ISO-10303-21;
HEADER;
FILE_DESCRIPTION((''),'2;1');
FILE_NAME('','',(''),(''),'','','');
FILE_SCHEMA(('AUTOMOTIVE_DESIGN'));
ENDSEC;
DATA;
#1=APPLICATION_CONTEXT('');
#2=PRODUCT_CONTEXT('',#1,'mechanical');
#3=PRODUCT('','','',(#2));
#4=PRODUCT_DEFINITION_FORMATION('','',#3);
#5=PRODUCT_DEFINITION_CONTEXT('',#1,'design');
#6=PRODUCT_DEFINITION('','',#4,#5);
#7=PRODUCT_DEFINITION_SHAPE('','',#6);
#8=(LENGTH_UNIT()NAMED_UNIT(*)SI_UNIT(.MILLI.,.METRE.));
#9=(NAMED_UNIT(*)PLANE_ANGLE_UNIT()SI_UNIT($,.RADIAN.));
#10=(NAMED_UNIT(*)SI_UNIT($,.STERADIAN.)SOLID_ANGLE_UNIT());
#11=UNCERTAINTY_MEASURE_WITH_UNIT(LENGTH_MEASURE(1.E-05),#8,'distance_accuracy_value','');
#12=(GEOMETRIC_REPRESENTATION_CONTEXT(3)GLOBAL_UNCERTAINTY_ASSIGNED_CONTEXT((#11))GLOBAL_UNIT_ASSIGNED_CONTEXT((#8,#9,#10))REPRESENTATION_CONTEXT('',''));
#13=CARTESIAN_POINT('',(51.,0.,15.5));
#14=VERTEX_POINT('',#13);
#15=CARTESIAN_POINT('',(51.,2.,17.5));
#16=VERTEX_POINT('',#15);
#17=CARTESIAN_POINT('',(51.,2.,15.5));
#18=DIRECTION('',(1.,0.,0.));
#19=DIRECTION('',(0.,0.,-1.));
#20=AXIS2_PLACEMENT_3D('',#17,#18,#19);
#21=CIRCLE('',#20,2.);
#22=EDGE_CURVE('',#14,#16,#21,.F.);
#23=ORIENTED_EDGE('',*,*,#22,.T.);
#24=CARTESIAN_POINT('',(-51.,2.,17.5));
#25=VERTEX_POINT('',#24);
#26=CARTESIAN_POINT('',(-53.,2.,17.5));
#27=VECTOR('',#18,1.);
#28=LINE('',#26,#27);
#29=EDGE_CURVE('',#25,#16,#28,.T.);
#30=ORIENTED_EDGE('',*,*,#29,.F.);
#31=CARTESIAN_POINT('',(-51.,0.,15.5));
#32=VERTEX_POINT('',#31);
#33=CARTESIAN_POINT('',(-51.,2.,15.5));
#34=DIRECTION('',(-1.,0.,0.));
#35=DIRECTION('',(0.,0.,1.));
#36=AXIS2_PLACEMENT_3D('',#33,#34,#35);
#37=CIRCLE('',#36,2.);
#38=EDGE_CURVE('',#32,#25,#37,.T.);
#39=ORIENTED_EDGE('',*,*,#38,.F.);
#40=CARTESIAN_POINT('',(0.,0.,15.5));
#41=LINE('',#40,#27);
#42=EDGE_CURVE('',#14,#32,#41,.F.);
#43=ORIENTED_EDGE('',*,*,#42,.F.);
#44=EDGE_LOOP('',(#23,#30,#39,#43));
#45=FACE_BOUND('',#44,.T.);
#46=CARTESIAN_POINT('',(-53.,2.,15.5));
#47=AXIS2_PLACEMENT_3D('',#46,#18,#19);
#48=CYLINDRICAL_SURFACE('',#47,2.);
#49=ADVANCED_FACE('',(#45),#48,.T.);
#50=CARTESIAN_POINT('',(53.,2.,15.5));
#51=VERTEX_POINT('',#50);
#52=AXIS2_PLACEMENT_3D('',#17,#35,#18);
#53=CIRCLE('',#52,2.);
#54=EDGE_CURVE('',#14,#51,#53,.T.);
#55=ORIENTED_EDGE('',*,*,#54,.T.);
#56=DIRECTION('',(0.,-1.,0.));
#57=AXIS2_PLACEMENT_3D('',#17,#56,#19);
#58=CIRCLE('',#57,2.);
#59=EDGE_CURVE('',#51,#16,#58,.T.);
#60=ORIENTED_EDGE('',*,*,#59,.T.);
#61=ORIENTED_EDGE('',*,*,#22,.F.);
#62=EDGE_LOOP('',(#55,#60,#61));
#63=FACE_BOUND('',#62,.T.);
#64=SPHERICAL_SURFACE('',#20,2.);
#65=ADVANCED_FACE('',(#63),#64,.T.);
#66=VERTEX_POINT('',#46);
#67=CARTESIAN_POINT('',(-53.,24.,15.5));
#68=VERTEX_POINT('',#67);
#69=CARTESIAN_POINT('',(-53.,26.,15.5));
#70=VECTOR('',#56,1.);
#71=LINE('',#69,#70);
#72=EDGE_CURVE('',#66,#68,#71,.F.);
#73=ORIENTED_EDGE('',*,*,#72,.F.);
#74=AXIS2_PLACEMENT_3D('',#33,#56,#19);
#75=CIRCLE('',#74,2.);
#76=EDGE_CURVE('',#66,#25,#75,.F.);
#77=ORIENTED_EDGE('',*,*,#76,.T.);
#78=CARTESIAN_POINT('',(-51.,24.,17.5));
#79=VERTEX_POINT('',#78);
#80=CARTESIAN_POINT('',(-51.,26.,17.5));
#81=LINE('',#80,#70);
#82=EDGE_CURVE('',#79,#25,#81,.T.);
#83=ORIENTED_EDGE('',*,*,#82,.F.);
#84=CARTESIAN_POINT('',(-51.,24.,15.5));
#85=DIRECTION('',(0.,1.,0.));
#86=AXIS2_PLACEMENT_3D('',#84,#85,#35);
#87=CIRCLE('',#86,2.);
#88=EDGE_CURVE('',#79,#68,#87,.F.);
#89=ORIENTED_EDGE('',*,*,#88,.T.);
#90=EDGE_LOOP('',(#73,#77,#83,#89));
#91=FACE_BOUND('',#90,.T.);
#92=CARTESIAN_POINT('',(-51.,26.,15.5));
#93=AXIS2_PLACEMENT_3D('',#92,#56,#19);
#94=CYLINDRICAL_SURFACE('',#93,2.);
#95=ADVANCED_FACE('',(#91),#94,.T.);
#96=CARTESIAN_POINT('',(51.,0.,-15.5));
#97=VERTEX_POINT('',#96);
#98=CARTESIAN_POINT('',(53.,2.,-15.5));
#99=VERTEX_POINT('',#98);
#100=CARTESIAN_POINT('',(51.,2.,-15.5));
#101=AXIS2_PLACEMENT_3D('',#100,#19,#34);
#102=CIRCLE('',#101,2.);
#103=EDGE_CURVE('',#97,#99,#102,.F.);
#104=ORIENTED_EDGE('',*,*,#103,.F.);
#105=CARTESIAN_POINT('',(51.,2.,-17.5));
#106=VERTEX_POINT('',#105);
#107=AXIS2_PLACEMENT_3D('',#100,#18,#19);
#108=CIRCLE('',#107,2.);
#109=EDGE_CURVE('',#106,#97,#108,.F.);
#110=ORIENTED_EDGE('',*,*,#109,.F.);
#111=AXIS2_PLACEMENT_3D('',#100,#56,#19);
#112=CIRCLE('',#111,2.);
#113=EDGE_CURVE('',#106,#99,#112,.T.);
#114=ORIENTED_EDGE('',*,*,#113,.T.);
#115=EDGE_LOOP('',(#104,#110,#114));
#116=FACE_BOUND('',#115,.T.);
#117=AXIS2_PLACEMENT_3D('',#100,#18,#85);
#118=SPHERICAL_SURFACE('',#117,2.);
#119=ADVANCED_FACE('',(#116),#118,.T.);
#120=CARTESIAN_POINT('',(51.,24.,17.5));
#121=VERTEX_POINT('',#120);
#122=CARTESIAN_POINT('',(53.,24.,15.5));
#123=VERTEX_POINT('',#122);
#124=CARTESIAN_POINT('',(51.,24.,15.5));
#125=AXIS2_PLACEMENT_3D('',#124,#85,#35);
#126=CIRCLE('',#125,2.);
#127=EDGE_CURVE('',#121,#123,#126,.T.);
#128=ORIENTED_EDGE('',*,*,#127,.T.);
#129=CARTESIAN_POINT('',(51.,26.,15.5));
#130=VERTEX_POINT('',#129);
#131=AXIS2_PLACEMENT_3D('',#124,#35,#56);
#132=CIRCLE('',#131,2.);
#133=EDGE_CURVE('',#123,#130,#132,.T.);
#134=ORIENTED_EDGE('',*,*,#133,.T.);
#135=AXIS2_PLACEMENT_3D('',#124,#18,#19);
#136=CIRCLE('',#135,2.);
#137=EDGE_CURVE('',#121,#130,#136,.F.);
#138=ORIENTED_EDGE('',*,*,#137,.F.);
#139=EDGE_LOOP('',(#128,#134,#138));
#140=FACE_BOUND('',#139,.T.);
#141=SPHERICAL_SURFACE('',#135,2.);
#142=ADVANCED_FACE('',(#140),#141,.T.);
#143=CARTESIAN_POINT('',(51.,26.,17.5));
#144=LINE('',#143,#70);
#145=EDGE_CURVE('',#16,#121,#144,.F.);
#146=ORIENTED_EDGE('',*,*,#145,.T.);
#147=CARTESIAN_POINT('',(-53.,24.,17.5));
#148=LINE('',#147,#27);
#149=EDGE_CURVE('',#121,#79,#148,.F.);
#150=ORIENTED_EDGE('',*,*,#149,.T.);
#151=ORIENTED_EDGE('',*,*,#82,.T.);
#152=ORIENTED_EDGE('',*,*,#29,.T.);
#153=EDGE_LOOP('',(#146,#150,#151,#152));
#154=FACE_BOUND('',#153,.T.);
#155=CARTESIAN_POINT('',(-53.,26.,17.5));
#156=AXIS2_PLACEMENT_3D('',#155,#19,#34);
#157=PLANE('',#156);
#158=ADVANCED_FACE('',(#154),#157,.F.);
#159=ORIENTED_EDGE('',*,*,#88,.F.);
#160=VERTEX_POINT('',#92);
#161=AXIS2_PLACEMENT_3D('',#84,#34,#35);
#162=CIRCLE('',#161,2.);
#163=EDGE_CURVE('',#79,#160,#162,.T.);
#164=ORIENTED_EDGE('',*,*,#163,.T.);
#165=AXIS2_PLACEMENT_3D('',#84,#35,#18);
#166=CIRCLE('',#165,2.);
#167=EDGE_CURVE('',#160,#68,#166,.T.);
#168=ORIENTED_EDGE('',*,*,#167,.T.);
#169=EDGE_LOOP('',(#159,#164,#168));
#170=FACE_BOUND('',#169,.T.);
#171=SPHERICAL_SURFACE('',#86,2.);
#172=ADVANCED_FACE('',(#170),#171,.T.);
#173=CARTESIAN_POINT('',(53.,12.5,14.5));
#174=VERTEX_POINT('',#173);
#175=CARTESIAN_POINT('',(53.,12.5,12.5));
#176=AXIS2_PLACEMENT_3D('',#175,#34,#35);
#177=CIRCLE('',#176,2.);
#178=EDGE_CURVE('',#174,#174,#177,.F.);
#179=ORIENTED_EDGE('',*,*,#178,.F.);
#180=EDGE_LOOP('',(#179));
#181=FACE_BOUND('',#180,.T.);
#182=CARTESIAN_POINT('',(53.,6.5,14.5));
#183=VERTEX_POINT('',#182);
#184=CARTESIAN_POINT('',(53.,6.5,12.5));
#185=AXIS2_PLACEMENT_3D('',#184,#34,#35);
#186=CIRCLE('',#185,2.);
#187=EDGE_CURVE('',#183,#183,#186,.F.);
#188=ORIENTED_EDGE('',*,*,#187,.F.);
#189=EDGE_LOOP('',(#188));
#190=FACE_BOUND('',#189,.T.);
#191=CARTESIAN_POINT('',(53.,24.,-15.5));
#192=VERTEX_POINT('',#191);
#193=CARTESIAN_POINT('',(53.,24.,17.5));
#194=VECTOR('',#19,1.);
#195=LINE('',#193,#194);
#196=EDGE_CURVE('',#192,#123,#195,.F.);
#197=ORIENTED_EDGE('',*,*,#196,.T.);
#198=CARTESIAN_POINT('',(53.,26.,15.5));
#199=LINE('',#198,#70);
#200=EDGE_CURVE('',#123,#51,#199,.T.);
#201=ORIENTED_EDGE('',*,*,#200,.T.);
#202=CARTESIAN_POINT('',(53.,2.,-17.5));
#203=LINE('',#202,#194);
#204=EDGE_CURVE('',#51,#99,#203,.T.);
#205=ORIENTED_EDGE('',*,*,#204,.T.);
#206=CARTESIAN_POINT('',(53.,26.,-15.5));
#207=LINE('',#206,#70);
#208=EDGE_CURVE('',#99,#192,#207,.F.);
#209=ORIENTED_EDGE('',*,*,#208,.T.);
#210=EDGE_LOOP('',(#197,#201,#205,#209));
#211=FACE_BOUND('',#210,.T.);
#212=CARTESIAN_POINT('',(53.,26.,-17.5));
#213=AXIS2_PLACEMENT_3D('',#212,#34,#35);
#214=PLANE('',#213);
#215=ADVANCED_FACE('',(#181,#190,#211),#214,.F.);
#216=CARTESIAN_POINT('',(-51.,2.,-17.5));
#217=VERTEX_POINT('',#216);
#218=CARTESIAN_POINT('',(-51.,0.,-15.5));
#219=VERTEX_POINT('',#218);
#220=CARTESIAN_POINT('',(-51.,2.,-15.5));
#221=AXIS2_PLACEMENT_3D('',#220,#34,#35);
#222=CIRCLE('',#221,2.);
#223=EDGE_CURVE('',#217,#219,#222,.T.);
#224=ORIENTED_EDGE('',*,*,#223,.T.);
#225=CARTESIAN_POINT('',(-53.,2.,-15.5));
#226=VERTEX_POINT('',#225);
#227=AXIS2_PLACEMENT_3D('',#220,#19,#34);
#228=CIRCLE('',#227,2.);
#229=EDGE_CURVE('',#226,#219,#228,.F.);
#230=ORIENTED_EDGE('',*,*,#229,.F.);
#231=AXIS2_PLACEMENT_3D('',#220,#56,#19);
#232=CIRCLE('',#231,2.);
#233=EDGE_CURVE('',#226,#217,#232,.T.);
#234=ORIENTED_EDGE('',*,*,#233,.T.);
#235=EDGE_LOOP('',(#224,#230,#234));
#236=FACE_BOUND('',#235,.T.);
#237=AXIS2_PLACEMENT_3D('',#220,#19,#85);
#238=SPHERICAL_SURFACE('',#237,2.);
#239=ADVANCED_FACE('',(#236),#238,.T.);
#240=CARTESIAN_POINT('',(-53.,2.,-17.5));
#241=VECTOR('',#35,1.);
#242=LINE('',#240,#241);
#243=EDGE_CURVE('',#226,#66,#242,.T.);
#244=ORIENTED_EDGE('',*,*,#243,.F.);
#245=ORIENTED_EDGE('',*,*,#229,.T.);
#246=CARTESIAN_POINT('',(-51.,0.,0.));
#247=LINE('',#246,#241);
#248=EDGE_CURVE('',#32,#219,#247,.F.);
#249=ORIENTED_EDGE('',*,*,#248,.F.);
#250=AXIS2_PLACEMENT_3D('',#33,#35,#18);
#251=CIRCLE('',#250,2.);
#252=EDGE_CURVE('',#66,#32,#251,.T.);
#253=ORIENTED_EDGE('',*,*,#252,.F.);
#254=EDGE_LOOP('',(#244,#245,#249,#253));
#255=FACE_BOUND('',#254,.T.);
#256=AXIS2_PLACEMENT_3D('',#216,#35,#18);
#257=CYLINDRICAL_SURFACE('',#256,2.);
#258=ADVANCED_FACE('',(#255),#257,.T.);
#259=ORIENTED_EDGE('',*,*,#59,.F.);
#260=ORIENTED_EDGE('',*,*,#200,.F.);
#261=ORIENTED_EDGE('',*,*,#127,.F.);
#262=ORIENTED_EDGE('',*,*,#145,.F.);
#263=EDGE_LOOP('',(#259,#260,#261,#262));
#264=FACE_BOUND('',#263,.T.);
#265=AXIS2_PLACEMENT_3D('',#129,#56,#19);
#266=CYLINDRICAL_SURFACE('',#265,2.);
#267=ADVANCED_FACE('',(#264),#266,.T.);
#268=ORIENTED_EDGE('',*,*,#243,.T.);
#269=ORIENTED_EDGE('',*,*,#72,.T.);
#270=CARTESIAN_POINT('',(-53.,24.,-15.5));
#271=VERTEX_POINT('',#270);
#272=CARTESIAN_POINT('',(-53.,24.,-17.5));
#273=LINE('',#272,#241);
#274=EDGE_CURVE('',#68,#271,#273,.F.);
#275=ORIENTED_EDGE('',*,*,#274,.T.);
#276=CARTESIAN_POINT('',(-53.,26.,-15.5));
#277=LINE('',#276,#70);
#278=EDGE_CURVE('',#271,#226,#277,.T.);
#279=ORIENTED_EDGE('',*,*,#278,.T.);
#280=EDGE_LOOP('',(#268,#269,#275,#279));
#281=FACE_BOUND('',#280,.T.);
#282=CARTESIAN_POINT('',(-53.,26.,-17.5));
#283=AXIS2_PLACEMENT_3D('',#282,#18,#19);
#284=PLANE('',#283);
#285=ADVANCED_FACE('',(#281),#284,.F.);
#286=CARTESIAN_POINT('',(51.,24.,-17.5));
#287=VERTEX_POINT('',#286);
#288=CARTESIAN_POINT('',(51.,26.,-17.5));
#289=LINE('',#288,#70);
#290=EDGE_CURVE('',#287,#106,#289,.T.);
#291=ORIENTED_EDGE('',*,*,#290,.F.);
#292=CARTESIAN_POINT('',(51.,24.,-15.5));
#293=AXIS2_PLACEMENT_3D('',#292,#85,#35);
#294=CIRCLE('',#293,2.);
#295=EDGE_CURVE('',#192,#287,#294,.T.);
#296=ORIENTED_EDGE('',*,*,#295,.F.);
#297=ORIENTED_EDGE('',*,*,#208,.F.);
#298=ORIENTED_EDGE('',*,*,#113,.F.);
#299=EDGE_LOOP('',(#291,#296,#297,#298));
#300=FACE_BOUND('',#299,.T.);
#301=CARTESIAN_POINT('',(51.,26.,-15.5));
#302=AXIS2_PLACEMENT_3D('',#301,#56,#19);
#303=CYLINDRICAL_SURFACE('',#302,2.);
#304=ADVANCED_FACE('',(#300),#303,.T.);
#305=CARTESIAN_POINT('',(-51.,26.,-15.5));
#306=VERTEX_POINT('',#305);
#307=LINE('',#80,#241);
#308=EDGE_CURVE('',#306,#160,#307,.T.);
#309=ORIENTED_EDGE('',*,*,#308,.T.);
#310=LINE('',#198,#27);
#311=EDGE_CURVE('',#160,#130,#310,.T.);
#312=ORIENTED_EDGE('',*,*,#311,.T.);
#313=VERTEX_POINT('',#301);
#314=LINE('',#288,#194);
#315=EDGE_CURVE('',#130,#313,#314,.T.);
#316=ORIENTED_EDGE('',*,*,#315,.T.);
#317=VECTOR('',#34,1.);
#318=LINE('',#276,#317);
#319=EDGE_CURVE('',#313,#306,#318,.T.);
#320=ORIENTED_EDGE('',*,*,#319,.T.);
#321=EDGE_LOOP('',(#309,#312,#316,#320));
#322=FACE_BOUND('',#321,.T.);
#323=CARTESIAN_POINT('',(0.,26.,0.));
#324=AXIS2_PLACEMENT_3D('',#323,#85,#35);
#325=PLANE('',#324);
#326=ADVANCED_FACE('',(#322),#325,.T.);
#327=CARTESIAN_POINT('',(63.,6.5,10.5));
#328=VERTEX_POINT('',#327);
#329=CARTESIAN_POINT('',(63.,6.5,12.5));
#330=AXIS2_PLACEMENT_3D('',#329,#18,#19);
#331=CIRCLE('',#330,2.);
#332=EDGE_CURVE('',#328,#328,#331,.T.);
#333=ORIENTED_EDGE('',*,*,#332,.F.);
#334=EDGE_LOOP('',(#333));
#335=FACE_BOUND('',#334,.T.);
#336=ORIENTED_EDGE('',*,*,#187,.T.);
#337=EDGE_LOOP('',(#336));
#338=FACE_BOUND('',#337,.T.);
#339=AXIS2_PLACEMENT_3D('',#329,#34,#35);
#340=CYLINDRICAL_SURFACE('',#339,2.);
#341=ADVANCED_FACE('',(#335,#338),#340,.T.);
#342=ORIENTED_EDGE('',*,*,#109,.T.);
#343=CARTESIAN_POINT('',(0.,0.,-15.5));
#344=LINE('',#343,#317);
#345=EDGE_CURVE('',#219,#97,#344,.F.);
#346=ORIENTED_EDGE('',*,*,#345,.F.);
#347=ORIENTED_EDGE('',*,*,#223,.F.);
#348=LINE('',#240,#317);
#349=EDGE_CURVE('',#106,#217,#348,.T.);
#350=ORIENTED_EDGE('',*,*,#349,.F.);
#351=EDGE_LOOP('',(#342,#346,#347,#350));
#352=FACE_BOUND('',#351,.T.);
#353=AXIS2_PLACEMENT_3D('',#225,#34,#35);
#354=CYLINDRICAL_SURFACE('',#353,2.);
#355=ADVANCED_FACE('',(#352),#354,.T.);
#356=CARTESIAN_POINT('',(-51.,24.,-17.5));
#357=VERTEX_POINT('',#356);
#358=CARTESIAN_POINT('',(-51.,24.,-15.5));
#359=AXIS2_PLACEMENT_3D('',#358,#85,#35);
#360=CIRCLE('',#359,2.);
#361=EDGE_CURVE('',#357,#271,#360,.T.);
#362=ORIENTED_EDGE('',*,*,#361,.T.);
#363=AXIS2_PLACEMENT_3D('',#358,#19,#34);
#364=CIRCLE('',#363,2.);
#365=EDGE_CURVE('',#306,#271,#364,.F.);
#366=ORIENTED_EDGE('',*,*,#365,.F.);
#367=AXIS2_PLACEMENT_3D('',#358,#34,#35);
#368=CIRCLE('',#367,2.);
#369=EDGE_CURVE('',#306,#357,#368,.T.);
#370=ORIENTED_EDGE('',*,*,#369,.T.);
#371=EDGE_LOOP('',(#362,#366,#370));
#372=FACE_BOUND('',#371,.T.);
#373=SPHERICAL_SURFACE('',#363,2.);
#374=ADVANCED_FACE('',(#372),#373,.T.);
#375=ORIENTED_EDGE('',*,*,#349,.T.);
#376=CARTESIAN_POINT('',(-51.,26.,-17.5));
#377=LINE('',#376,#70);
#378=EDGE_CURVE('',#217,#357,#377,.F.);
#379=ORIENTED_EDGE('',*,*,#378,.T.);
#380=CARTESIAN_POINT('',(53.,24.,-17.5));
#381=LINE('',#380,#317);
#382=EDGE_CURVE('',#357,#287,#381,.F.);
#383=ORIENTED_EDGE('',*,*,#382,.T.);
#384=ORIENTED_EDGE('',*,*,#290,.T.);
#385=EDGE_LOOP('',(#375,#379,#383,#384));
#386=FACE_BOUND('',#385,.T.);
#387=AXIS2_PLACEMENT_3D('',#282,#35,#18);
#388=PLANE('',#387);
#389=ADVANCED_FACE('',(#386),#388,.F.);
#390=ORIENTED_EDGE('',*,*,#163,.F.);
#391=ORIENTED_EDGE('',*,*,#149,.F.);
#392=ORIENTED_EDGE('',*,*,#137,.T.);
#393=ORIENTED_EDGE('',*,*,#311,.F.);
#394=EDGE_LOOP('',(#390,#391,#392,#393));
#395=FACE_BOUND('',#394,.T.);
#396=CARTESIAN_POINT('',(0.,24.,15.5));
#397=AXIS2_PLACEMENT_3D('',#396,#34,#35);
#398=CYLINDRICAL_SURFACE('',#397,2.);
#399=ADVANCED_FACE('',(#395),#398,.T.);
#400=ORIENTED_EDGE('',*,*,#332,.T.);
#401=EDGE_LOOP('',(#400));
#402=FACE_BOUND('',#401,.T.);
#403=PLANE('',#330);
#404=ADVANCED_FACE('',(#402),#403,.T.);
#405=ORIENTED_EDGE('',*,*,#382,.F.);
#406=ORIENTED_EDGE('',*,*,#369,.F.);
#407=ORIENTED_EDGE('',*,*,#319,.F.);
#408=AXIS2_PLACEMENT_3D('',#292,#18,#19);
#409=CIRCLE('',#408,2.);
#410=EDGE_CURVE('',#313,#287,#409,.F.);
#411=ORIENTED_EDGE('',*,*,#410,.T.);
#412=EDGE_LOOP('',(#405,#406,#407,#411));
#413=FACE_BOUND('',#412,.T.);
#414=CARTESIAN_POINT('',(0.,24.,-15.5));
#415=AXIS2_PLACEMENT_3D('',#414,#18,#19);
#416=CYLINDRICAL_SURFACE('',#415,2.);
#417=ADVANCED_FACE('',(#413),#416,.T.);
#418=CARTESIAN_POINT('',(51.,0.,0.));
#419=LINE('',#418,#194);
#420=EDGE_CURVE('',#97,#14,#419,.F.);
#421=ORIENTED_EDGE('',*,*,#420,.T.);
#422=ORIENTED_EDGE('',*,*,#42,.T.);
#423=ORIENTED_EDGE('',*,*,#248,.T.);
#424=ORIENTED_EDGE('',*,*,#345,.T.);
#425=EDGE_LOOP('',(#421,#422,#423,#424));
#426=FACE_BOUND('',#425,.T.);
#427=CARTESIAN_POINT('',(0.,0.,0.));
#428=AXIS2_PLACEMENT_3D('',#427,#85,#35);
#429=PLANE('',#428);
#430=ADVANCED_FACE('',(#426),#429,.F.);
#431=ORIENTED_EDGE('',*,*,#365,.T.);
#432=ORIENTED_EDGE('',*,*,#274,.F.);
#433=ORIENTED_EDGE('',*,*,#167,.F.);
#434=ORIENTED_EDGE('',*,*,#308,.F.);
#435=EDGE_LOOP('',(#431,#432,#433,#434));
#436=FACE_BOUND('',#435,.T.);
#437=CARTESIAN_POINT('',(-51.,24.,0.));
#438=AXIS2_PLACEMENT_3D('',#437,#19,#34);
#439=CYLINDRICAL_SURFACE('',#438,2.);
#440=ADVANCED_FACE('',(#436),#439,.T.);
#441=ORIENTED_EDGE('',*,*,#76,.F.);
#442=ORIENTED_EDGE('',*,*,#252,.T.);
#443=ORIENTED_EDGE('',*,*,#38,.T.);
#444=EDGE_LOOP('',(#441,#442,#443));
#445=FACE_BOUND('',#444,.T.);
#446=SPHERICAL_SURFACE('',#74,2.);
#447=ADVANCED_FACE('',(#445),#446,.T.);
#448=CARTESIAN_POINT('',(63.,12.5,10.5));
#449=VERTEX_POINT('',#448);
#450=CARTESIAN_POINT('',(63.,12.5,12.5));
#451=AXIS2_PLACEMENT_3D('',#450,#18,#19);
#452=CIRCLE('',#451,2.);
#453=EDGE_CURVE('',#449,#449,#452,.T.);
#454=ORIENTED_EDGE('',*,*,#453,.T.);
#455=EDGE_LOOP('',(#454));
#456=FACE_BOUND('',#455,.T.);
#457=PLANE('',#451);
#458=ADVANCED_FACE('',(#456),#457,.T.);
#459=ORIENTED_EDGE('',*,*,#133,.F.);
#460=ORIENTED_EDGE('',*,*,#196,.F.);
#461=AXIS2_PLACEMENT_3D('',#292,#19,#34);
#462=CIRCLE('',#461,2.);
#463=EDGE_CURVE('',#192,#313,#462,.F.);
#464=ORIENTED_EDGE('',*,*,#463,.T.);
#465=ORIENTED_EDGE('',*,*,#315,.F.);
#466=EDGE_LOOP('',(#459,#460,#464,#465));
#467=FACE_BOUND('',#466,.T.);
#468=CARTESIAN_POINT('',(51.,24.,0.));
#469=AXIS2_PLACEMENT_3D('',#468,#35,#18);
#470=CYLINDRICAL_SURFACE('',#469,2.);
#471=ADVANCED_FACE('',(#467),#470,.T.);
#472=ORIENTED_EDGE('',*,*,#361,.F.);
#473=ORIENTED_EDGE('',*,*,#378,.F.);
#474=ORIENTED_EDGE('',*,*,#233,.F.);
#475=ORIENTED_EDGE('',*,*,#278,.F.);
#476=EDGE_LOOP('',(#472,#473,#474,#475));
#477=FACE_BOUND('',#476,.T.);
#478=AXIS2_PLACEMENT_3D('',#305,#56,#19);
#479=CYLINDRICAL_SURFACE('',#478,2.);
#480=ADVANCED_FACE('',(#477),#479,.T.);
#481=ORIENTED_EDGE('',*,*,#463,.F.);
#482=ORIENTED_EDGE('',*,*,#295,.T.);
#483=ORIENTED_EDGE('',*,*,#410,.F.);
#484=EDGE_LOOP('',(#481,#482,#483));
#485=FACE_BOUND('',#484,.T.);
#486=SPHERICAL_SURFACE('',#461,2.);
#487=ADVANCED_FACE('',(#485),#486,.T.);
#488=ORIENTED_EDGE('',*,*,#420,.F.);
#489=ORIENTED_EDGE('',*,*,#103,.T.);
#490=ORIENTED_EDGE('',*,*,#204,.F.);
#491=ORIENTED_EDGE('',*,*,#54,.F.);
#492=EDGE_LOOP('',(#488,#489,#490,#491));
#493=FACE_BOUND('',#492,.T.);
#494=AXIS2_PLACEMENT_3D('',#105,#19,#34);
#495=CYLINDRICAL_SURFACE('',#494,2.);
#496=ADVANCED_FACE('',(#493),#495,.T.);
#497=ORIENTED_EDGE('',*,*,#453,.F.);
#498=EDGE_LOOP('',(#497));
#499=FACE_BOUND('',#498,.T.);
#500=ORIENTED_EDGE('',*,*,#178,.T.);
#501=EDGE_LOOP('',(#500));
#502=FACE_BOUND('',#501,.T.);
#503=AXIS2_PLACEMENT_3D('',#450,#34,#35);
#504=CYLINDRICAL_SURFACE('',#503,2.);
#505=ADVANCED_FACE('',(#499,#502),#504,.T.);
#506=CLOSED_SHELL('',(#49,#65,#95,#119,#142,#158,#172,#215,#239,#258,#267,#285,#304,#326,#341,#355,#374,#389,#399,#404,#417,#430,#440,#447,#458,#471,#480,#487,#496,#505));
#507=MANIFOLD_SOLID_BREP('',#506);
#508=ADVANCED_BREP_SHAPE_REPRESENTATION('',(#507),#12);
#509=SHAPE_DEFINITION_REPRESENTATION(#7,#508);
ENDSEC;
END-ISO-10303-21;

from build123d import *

# Parameters (mm, degrees)
SKETCH1_W           = 106
SKETCH1_H           = 35
BOSS_EXTRUDE1_DEPTH = 26
FILLET1_R           = 2
SKETCH2_R           = 2
BOSS_EXTRUDE2_DEPTH = 10


with BuildPart() as part:
    # Sketch1 → Boss-Extrude1 (new body)
    with BuildSketch(Plane(origin=(0, 0, 0), x_dir=(1, 0, 0), z_dir=(0, 1, 0))):
        Rectangle(SKETCH1_W, SKETCH1_H)
    extrude(amount=BOSS_EXTRUDE1_DEPTH)

    # Fillet1
    fillet1_edges = [part.edges().sort_by_distance(p)[0] for p in [
        (-53, 26, 0),
        (0, 26, 17.5),
        (53, 26, 0),
        (0, 0, 17.5),
        (-53, 0, 0),
        (0, 0, -17.5),
        (53, 0, 0),
        (53, 13, 17.5),
        (-53, 13, 17.5),
        (-53, 13, -17.5),
        (53, 13, -17.5),
        (0, 26, -17.5),
    ]]
    fillet(fillet1_edges, radius=FILLET1_R)

    # Sketch2 → Boss-Extrude2 (add)
    with BuildSketch(Plane(origin=(53, 0, 0), x_dir=(0, 0, -1), z_dir=(1, 0, 0))):
        with Locations((-12.5, 6.5)):
            Circle(SKETCH2_R)
        with Locations((-12.5, 12.5)):
            Circle(SKETCH2_R)
    extrude(amount=BOSS_EXTRUDE2_DEPTH)


solid = part.part
